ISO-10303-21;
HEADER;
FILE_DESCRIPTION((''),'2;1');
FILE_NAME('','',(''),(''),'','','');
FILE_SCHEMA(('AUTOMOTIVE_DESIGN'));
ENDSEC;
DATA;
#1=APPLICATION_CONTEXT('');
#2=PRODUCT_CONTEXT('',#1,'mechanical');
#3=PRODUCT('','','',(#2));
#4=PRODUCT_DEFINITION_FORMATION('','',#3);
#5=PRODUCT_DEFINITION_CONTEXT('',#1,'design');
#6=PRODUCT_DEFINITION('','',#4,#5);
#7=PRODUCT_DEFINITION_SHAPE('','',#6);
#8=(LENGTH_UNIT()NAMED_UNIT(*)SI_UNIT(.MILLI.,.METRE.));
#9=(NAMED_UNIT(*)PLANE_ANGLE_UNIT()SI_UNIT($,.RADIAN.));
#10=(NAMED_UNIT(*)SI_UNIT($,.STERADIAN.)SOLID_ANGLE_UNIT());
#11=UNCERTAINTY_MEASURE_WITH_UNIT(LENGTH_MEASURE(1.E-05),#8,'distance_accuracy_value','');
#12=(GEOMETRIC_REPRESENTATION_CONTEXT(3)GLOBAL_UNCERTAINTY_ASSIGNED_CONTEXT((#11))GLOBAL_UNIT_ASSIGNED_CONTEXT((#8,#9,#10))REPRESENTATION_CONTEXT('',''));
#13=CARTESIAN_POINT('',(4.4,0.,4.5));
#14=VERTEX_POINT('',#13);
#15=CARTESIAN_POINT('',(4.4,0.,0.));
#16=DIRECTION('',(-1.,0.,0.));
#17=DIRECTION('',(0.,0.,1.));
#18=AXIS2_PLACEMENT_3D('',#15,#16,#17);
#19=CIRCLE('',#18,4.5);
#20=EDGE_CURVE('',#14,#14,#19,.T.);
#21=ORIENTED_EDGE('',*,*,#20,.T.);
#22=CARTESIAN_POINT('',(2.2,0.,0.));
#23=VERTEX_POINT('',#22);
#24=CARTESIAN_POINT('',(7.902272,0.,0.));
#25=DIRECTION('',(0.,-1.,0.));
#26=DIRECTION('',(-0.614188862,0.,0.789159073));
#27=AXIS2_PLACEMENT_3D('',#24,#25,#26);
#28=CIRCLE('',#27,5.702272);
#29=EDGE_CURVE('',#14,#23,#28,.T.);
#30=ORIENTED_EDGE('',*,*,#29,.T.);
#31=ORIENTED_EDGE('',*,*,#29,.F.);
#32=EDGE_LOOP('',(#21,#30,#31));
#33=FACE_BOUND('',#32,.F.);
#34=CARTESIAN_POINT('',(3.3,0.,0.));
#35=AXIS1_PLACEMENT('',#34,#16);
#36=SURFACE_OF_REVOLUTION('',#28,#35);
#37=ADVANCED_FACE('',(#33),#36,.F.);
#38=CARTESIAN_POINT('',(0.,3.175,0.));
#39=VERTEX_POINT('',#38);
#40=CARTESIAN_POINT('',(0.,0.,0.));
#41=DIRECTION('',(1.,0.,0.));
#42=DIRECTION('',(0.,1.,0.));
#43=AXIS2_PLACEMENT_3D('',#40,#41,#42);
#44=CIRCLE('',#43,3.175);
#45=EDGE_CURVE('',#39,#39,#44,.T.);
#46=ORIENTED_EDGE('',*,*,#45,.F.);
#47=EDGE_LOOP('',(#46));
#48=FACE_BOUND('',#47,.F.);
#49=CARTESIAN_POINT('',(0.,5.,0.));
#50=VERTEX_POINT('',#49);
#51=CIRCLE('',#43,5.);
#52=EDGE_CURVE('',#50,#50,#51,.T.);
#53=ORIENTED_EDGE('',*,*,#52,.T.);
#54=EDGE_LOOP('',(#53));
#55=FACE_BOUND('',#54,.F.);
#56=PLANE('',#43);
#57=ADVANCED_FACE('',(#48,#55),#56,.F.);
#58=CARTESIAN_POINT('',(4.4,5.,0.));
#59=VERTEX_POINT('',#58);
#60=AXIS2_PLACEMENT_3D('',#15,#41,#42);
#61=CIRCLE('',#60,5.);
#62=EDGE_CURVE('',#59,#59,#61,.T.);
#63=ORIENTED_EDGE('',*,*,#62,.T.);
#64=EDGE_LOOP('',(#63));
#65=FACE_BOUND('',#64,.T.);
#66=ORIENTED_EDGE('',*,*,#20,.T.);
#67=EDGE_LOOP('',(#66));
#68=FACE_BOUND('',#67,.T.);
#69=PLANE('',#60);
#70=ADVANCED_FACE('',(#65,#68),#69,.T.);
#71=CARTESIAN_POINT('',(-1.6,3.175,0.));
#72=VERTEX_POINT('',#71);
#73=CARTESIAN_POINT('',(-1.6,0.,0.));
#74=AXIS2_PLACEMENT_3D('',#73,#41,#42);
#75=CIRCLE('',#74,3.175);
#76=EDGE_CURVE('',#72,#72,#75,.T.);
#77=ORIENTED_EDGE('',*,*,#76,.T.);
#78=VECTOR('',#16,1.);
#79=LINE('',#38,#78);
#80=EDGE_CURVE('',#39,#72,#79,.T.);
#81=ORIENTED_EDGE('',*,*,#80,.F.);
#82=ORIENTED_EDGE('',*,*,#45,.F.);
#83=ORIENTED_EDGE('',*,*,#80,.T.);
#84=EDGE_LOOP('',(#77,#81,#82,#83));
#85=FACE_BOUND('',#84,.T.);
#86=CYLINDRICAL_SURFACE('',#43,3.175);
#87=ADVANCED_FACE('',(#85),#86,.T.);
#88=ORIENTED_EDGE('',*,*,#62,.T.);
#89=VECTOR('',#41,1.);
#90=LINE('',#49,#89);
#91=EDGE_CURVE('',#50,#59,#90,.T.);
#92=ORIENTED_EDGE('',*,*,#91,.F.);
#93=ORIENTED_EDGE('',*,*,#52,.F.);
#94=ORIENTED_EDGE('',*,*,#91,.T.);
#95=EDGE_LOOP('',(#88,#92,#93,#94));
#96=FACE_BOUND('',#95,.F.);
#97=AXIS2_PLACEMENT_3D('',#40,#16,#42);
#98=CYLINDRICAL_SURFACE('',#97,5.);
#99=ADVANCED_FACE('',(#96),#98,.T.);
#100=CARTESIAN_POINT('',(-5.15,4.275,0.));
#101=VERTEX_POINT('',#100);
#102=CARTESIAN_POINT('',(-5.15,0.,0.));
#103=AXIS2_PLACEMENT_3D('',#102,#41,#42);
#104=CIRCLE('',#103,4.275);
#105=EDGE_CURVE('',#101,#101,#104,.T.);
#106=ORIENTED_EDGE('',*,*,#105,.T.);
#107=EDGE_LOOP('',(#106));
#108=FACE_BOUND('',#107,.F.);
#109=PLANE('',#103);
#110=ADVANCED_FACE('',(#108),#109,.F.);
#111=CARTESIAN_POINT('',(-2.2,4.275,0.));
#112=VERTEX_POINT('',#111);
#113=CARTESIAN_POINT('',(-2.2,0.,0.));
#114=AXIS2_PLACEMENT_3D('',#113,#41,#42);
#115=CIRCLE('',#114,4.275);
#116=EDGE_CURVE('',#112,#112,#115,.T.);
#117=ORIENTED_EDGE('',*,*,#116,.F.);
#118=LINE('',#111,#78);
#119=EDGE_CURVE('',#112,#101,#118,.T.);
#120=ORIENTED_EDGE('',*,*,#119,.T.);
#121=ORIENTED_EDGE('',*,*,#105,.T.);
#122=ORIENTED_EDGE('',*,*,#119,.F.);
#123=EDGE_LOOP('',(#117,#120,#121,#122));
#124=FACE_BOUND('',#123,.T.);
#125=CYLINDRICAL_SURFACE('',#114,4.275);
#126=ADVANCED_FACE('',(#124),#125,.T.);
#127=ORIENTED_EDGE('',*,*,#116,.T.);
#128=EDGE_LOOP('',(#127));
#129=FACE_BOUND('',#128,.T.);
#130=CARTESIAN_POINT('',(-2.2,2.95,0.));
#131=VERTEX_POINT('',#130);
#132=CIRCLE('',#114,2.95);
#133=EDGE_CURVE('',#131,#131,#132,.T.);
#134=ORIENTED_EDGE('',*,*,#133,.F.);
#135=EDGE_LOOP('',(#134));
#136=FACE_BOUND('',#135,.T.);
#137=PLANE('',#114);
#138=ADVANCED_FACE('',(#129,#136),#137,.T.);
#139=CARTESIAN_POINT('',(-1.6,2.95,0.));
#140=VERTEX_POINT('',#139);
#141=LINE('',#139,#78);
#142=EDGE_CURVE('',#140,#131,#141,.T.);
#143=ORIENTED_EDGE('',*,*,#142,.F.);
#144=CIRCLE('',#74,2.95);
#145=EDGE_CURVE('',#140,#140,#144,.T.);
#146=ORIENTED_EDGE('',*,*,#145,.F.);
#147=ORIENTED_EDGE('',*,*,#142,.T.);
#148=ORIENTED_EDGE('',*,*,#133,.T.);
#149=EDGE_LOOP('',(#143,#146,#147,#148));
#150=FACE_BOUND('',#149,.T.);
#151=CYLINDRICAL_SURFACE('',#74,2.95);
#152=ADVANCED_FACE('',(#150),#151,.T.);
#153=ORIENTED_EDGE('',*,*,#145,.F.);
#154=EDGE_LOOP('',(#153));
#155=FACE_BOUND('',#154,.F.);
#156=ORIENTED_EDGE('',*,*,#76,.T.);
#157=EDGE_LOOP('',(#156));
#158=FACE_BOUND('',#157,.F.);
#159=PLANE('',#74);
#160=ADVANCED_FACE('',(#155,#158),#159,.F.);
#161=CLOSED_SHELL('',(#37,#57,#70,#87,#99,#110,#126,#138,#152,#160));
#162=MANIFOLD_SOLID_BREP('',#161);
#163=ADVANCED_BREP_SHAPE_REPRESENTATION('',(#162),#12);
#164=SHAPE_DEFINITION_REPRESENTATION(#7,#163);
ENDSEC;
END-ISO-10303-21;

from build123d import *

# Parameters (mm, degrees)
F0_R     = 5
F1_DEPTH = 4.4
F2_R     = 3.175
F3_DEPTH = 1.6
F5_R     = 2.95
F6_DEPTH = 0.6
F8_R     = 4.275
F9_DEPTH = 2.95


with BuildPart() as f1:
    # F0 (on Right) → F1 (new body)
    with BuildSketch(Plane.YZ):
        Circle(F0_R)
    extrude(amount=F1_DEPTH)

    # F2 (on Right) → F3 (join)
    with BuildSketch(Plane.YZ):
        Circle(F2_R)
    extrude(amount=-F3_DEPTH)

    # F5 (on offset) → F6 (join)
    with BuildSketch(Plane.YZ.offset(-1.6)):
        Circle(F5_R)
    extrude(amount=-F6_DEPTH)

    # F8 (on offset) → F9 (join)
    with BuildSketch(Plane.YZ.offset(-2.2)):
        Circle(F8_R)
    extrude(amount=-F9_DEPTH)

    # F10 (on Front) → F11 (revolve, cut)
    with BuildSketch(Plane.XZ):
        with BuildLine():
            Line((4.4, 0), (4.4, 4.5))
            ThreePointArc((4.4, 4.5), (2.77944, 2.504496), (2.2, 0))
            Line((2.2, 0), (4.4, 0))
        make_face()
    revolve(axis=Axis((3.3, 0, 0), (-1, 0, 0)), mode=Mode.SUBTRACT)


solid = f1.part
